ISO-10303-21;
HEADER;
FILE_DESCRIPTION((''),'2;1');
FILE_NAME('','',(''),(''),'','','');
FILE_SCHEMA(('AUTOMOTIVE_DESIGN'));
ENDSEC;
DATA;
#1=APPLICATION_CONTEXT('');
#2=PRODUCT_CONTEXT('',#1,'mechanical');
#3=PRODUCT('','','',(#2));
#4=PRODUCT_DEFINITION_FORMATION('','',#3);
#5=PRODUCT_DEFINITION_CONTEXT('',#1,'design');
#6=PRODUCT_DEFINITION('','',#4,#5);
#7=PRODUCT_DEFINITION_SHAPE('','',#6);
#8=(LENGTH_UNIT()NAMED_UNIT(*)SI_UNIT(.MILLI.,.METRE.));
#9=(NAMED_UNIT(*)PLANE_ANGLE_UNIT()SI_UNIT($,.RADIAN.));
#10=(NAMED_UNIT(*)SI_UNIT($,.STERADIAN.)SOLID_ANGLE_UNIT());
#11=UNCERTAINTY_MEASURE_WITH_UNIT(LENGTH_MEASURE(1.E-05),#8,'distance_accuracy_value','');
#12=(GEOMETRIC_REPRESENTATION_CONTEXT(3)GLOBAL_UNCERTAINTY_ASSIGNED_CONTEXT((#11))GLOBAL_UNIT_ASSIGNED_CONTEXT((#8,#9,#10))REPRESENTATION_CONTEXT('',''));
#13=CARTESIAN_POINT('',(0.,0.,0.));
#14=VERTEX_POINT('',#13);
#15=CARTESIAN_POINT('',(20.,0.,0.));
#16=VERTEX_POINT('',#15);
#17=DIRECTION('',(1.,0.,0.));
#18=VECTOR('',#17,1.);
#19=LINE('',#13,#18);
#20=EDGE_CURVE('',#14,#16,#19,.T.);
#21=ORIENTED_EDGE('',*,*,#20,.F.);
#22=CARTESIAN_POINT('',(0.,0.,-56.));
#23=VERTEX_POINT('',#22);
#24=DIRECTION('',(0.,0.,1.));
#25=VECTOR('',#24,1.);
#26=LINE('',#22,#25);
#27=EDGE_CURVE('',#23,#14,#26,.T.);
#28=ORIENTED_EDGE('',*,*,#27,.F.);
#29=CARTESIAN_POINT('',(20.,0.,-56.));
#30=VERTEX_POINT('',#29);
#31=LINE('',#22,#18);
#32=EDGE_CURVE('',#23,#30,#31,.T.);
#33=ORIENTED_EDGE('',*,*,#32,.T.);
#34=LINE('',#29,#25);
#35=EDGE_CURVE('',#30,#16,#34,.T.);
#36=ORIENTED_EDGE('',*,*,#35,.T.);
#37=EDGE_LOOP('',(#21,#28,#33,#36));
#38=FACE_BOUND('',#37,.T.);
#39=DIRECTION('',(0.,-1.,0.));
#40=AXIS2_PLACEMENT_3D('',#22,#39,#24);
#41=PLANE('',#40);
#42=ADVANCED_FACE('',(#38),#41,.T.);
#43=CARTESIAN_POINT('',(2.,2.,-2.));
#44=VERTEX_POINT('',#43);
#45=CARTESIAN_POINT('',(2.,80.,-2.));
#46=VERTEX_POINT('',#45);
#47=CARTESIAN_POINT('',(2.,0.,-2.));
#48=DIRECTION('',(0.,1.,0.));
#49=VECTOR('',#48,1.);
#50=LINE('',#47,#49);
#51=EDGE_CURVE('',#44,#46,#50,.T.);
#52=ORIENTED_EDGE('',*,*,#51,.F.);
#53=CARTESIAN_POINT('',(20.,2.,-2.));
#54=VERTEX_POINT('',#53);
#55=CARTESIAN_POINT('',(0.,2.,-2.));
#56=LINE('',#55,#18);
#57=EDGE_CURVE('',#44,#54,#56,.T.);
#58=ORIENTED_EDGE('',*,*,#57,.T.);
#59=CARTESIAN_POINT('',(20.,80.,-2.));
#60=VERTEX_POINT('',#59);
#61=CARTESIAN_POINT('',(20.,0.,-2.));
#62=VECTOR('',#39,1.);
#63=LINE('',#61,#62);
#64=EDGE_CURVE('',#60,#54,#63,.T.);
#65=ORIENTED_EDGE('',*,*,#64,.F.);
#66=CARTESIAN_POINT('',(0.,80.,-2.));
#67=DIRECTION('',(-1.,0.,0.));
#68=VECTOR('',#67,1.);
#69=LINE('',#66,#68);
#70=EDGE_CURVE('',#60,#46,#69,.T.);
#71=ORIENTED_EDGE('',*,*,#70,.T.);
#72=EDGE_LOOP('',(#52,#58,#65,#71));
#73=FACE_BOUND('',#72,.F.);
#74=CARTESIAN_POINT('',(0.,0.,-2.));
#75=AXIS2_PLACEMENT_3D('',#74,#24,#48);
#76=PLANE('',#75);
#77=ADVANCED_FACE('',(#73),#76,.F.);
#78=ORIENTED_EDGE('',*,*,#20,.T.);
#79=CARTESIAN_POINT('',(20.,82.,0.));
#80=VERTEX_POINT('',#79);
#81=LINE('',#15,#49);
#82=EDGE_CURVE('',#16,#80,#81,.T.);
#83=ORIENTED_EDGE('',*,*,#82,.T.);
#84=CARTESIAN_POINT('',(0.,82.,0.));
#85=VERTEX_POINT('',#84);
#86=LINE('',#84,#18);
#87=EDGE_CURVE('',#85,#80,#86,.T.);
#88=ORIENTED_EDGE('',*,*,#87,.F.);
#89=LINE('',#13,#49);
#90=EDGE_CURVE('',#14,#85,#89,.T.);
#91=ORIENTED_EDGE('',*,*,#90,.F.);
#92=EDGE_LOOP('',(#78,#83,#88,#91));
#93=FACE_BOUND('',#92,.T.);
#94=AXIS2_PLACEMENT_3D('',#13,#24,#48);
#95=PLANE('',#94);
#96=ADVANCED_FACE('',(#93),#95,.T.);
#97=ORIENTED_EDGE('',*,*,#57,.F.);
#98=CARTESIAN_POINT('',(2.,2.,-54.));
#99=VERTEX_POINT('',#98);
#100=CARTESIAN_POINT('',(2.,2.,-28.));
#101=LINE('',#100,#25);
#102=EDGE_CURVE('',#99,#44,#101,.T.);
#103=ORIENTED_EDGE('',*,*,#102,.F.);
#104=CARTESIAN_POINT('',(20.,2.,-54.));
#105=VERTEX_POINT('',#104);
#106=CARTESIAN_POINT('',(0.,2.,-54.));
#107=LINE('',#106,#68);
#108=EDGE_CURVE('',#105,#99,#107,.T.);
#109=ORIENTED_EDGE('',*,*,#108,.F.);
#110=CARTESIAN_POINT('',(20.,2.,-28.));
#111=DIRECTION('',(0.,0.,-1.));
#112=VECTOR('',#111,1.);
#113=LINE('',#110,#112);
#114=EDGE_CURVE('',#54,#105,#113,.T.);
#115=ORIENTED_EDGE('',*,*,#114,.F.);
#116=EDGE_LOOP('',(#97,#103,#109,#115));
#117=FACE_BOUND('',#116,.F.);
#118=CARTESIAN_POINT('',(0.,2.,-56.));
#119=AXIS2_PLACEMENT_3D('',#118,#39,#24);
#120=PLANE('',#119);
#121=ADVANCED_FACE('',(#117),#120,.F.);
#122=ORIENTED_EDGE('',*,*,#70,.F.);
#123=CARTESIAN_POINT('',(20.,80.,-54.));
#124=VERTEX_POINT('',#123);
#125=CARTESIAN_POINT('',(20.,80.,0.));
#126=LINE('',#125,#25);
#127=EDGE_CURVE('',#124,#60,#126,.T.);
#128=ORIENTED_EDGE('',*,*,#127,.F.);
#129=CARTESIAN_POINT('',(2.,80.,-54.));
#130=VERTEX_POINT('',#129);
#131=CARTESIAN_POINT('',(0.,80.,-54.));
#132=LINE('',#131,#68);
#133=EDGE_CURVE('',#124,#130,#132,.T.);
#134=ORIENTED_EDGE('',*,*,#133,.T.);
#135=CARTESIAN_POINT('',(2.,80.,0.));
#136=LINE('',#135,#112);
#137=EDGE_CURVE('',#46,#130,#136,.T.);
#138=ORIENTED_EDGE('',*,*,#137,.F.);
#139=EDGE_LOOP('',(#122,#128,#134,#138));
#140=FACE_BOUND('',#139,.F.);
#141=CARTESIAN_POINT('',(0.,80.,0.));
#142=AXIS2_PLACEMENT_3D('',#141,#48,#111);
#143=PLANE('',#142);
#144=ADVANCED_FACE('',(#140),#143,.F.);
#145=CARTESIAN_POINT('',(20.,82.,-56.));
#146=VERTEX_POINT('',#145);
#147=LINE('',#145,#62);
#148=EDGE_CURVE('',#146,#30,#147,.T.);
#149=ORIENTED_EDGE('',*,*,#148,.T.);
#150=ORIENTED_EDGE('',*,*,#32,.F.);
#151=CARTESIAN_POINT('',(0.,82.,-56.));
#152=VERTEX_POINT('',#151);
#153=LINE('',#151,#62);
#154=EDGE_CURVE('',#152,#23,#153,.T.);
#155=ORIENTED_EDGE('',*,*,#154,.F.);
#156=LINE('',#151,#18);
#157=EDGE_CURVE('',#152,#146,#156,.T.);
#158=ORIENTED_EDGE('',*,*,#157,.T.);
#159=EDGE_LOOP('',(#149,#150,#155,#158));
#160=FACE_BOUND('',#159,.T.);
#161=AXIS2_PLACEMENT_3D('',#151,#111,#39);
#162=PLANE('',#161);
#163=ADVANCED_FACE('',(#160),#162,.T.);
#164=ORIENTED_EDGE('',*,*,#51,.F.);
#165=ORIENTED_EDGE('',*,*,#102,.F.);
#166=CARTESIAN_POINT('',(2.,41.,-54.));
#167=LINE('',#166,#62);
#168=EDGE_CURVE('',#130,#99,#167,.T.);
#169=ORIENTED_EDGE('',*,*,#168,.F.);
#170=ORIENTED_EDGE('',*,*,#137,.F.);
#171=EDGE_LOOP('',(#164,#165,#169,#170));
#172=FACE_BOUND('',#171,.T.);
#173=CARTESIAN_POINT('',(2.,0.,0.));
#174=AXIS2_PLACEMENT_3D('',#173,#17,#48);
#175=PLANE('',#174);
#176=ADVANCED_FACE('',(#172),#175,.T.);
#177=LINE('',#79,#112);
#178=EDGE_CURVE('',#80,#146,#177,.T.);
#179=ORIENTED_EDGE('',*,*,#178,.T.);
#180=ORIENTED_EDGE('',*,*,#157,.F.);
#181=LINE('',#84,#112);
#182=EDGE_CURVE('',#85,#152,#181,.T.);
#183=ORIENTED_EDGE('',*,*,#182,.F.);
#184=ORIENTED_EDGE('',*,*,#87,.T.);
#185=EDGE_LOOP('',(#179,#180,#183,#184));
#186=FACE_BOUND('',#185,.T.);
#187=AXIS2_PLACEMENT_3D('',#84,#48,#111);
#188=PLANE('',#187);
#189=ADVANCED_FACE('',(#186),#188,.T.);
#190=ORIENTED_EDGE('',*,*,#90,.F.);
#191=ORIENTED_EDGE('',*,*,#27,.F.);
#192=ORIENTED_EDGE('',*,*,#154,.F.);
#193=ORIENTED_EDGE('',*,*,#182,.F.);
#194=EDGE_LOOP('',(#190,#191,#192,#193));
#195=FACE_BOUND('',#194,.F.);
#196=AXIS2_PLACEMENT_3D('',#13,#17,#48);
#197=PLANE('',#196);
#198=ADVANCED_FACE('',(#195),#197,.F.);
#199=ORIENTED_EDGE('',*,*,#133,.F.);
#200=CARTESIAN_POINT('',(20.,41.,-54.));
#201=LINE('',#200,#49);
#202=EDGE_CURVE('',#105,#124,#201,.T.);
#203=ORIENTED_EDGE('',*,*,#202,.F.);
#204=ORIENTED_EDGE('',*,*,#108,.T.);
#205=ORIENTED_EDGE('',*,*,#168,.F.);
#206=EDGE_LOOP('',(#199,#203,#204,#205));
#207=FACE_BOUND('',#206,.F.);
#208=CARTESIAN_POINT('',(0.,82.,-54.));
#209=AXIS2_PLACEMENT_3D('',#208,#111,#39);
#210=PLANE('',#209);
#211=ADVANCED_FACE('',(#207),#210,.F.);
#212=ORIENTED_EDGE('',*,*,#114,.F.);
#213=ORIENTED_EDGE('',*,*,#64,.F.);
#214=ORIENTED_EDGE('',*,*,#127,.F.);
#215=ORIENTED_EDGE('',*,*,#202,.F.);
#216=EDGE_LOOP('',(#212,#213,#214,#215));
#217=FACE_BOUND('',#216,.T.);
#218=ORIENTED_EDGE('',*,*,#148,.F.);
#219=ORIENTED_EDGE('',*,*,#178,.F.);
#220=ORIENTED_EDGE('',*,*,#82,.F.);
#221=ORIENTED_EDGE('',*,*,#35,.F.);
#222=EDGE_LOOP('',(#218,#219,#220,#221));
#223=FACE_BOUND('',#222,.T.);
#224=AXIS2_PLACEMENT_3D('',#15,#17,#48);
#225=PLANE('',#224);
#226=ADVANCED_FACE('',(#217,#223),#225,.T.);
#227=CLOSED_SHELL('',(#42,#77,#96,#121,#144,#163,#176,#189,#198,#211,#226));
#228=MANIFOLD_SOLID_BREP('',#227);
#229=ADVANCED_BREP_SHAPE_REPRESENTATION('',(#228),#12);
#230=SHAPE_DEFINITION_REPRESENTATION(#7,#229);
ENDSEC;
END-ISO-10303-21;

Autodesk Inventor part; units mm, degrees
ref_plane "YZ Plane" through (0, 0, 0) normal (1, 0, 0) x (0, 1, 0)
ref_plane "XZ Plane" through (0, 0, 0) normal (0, 1, 0) x (-1, 0, 0)
ref_plane "XY Plane" through (0, 0, 0) normal (0, 0, 1) x (1, 0, 0)
sketch "Sketch1" plane through (0, 0, 0) normal (1, 0, 0) x (0, 1, 0)
  line L0 (0, 0) -> (82, 0)
  line L1 (82, 0) -> (82, -56)
  line L2 (82, -56) -> (0, -56)
  line L3 (0, -56) -> (0, 0)
  dimension "d0" = 82
  dimension "d1" = 56
extrude "Extrusion1" add sketch "Sketch1" along normal blind 20
shell "Shell1" thickness 2 removed faces 1 at (20, 27.3333, -18.6667)
properties part number "IPRO Carlos Case"
